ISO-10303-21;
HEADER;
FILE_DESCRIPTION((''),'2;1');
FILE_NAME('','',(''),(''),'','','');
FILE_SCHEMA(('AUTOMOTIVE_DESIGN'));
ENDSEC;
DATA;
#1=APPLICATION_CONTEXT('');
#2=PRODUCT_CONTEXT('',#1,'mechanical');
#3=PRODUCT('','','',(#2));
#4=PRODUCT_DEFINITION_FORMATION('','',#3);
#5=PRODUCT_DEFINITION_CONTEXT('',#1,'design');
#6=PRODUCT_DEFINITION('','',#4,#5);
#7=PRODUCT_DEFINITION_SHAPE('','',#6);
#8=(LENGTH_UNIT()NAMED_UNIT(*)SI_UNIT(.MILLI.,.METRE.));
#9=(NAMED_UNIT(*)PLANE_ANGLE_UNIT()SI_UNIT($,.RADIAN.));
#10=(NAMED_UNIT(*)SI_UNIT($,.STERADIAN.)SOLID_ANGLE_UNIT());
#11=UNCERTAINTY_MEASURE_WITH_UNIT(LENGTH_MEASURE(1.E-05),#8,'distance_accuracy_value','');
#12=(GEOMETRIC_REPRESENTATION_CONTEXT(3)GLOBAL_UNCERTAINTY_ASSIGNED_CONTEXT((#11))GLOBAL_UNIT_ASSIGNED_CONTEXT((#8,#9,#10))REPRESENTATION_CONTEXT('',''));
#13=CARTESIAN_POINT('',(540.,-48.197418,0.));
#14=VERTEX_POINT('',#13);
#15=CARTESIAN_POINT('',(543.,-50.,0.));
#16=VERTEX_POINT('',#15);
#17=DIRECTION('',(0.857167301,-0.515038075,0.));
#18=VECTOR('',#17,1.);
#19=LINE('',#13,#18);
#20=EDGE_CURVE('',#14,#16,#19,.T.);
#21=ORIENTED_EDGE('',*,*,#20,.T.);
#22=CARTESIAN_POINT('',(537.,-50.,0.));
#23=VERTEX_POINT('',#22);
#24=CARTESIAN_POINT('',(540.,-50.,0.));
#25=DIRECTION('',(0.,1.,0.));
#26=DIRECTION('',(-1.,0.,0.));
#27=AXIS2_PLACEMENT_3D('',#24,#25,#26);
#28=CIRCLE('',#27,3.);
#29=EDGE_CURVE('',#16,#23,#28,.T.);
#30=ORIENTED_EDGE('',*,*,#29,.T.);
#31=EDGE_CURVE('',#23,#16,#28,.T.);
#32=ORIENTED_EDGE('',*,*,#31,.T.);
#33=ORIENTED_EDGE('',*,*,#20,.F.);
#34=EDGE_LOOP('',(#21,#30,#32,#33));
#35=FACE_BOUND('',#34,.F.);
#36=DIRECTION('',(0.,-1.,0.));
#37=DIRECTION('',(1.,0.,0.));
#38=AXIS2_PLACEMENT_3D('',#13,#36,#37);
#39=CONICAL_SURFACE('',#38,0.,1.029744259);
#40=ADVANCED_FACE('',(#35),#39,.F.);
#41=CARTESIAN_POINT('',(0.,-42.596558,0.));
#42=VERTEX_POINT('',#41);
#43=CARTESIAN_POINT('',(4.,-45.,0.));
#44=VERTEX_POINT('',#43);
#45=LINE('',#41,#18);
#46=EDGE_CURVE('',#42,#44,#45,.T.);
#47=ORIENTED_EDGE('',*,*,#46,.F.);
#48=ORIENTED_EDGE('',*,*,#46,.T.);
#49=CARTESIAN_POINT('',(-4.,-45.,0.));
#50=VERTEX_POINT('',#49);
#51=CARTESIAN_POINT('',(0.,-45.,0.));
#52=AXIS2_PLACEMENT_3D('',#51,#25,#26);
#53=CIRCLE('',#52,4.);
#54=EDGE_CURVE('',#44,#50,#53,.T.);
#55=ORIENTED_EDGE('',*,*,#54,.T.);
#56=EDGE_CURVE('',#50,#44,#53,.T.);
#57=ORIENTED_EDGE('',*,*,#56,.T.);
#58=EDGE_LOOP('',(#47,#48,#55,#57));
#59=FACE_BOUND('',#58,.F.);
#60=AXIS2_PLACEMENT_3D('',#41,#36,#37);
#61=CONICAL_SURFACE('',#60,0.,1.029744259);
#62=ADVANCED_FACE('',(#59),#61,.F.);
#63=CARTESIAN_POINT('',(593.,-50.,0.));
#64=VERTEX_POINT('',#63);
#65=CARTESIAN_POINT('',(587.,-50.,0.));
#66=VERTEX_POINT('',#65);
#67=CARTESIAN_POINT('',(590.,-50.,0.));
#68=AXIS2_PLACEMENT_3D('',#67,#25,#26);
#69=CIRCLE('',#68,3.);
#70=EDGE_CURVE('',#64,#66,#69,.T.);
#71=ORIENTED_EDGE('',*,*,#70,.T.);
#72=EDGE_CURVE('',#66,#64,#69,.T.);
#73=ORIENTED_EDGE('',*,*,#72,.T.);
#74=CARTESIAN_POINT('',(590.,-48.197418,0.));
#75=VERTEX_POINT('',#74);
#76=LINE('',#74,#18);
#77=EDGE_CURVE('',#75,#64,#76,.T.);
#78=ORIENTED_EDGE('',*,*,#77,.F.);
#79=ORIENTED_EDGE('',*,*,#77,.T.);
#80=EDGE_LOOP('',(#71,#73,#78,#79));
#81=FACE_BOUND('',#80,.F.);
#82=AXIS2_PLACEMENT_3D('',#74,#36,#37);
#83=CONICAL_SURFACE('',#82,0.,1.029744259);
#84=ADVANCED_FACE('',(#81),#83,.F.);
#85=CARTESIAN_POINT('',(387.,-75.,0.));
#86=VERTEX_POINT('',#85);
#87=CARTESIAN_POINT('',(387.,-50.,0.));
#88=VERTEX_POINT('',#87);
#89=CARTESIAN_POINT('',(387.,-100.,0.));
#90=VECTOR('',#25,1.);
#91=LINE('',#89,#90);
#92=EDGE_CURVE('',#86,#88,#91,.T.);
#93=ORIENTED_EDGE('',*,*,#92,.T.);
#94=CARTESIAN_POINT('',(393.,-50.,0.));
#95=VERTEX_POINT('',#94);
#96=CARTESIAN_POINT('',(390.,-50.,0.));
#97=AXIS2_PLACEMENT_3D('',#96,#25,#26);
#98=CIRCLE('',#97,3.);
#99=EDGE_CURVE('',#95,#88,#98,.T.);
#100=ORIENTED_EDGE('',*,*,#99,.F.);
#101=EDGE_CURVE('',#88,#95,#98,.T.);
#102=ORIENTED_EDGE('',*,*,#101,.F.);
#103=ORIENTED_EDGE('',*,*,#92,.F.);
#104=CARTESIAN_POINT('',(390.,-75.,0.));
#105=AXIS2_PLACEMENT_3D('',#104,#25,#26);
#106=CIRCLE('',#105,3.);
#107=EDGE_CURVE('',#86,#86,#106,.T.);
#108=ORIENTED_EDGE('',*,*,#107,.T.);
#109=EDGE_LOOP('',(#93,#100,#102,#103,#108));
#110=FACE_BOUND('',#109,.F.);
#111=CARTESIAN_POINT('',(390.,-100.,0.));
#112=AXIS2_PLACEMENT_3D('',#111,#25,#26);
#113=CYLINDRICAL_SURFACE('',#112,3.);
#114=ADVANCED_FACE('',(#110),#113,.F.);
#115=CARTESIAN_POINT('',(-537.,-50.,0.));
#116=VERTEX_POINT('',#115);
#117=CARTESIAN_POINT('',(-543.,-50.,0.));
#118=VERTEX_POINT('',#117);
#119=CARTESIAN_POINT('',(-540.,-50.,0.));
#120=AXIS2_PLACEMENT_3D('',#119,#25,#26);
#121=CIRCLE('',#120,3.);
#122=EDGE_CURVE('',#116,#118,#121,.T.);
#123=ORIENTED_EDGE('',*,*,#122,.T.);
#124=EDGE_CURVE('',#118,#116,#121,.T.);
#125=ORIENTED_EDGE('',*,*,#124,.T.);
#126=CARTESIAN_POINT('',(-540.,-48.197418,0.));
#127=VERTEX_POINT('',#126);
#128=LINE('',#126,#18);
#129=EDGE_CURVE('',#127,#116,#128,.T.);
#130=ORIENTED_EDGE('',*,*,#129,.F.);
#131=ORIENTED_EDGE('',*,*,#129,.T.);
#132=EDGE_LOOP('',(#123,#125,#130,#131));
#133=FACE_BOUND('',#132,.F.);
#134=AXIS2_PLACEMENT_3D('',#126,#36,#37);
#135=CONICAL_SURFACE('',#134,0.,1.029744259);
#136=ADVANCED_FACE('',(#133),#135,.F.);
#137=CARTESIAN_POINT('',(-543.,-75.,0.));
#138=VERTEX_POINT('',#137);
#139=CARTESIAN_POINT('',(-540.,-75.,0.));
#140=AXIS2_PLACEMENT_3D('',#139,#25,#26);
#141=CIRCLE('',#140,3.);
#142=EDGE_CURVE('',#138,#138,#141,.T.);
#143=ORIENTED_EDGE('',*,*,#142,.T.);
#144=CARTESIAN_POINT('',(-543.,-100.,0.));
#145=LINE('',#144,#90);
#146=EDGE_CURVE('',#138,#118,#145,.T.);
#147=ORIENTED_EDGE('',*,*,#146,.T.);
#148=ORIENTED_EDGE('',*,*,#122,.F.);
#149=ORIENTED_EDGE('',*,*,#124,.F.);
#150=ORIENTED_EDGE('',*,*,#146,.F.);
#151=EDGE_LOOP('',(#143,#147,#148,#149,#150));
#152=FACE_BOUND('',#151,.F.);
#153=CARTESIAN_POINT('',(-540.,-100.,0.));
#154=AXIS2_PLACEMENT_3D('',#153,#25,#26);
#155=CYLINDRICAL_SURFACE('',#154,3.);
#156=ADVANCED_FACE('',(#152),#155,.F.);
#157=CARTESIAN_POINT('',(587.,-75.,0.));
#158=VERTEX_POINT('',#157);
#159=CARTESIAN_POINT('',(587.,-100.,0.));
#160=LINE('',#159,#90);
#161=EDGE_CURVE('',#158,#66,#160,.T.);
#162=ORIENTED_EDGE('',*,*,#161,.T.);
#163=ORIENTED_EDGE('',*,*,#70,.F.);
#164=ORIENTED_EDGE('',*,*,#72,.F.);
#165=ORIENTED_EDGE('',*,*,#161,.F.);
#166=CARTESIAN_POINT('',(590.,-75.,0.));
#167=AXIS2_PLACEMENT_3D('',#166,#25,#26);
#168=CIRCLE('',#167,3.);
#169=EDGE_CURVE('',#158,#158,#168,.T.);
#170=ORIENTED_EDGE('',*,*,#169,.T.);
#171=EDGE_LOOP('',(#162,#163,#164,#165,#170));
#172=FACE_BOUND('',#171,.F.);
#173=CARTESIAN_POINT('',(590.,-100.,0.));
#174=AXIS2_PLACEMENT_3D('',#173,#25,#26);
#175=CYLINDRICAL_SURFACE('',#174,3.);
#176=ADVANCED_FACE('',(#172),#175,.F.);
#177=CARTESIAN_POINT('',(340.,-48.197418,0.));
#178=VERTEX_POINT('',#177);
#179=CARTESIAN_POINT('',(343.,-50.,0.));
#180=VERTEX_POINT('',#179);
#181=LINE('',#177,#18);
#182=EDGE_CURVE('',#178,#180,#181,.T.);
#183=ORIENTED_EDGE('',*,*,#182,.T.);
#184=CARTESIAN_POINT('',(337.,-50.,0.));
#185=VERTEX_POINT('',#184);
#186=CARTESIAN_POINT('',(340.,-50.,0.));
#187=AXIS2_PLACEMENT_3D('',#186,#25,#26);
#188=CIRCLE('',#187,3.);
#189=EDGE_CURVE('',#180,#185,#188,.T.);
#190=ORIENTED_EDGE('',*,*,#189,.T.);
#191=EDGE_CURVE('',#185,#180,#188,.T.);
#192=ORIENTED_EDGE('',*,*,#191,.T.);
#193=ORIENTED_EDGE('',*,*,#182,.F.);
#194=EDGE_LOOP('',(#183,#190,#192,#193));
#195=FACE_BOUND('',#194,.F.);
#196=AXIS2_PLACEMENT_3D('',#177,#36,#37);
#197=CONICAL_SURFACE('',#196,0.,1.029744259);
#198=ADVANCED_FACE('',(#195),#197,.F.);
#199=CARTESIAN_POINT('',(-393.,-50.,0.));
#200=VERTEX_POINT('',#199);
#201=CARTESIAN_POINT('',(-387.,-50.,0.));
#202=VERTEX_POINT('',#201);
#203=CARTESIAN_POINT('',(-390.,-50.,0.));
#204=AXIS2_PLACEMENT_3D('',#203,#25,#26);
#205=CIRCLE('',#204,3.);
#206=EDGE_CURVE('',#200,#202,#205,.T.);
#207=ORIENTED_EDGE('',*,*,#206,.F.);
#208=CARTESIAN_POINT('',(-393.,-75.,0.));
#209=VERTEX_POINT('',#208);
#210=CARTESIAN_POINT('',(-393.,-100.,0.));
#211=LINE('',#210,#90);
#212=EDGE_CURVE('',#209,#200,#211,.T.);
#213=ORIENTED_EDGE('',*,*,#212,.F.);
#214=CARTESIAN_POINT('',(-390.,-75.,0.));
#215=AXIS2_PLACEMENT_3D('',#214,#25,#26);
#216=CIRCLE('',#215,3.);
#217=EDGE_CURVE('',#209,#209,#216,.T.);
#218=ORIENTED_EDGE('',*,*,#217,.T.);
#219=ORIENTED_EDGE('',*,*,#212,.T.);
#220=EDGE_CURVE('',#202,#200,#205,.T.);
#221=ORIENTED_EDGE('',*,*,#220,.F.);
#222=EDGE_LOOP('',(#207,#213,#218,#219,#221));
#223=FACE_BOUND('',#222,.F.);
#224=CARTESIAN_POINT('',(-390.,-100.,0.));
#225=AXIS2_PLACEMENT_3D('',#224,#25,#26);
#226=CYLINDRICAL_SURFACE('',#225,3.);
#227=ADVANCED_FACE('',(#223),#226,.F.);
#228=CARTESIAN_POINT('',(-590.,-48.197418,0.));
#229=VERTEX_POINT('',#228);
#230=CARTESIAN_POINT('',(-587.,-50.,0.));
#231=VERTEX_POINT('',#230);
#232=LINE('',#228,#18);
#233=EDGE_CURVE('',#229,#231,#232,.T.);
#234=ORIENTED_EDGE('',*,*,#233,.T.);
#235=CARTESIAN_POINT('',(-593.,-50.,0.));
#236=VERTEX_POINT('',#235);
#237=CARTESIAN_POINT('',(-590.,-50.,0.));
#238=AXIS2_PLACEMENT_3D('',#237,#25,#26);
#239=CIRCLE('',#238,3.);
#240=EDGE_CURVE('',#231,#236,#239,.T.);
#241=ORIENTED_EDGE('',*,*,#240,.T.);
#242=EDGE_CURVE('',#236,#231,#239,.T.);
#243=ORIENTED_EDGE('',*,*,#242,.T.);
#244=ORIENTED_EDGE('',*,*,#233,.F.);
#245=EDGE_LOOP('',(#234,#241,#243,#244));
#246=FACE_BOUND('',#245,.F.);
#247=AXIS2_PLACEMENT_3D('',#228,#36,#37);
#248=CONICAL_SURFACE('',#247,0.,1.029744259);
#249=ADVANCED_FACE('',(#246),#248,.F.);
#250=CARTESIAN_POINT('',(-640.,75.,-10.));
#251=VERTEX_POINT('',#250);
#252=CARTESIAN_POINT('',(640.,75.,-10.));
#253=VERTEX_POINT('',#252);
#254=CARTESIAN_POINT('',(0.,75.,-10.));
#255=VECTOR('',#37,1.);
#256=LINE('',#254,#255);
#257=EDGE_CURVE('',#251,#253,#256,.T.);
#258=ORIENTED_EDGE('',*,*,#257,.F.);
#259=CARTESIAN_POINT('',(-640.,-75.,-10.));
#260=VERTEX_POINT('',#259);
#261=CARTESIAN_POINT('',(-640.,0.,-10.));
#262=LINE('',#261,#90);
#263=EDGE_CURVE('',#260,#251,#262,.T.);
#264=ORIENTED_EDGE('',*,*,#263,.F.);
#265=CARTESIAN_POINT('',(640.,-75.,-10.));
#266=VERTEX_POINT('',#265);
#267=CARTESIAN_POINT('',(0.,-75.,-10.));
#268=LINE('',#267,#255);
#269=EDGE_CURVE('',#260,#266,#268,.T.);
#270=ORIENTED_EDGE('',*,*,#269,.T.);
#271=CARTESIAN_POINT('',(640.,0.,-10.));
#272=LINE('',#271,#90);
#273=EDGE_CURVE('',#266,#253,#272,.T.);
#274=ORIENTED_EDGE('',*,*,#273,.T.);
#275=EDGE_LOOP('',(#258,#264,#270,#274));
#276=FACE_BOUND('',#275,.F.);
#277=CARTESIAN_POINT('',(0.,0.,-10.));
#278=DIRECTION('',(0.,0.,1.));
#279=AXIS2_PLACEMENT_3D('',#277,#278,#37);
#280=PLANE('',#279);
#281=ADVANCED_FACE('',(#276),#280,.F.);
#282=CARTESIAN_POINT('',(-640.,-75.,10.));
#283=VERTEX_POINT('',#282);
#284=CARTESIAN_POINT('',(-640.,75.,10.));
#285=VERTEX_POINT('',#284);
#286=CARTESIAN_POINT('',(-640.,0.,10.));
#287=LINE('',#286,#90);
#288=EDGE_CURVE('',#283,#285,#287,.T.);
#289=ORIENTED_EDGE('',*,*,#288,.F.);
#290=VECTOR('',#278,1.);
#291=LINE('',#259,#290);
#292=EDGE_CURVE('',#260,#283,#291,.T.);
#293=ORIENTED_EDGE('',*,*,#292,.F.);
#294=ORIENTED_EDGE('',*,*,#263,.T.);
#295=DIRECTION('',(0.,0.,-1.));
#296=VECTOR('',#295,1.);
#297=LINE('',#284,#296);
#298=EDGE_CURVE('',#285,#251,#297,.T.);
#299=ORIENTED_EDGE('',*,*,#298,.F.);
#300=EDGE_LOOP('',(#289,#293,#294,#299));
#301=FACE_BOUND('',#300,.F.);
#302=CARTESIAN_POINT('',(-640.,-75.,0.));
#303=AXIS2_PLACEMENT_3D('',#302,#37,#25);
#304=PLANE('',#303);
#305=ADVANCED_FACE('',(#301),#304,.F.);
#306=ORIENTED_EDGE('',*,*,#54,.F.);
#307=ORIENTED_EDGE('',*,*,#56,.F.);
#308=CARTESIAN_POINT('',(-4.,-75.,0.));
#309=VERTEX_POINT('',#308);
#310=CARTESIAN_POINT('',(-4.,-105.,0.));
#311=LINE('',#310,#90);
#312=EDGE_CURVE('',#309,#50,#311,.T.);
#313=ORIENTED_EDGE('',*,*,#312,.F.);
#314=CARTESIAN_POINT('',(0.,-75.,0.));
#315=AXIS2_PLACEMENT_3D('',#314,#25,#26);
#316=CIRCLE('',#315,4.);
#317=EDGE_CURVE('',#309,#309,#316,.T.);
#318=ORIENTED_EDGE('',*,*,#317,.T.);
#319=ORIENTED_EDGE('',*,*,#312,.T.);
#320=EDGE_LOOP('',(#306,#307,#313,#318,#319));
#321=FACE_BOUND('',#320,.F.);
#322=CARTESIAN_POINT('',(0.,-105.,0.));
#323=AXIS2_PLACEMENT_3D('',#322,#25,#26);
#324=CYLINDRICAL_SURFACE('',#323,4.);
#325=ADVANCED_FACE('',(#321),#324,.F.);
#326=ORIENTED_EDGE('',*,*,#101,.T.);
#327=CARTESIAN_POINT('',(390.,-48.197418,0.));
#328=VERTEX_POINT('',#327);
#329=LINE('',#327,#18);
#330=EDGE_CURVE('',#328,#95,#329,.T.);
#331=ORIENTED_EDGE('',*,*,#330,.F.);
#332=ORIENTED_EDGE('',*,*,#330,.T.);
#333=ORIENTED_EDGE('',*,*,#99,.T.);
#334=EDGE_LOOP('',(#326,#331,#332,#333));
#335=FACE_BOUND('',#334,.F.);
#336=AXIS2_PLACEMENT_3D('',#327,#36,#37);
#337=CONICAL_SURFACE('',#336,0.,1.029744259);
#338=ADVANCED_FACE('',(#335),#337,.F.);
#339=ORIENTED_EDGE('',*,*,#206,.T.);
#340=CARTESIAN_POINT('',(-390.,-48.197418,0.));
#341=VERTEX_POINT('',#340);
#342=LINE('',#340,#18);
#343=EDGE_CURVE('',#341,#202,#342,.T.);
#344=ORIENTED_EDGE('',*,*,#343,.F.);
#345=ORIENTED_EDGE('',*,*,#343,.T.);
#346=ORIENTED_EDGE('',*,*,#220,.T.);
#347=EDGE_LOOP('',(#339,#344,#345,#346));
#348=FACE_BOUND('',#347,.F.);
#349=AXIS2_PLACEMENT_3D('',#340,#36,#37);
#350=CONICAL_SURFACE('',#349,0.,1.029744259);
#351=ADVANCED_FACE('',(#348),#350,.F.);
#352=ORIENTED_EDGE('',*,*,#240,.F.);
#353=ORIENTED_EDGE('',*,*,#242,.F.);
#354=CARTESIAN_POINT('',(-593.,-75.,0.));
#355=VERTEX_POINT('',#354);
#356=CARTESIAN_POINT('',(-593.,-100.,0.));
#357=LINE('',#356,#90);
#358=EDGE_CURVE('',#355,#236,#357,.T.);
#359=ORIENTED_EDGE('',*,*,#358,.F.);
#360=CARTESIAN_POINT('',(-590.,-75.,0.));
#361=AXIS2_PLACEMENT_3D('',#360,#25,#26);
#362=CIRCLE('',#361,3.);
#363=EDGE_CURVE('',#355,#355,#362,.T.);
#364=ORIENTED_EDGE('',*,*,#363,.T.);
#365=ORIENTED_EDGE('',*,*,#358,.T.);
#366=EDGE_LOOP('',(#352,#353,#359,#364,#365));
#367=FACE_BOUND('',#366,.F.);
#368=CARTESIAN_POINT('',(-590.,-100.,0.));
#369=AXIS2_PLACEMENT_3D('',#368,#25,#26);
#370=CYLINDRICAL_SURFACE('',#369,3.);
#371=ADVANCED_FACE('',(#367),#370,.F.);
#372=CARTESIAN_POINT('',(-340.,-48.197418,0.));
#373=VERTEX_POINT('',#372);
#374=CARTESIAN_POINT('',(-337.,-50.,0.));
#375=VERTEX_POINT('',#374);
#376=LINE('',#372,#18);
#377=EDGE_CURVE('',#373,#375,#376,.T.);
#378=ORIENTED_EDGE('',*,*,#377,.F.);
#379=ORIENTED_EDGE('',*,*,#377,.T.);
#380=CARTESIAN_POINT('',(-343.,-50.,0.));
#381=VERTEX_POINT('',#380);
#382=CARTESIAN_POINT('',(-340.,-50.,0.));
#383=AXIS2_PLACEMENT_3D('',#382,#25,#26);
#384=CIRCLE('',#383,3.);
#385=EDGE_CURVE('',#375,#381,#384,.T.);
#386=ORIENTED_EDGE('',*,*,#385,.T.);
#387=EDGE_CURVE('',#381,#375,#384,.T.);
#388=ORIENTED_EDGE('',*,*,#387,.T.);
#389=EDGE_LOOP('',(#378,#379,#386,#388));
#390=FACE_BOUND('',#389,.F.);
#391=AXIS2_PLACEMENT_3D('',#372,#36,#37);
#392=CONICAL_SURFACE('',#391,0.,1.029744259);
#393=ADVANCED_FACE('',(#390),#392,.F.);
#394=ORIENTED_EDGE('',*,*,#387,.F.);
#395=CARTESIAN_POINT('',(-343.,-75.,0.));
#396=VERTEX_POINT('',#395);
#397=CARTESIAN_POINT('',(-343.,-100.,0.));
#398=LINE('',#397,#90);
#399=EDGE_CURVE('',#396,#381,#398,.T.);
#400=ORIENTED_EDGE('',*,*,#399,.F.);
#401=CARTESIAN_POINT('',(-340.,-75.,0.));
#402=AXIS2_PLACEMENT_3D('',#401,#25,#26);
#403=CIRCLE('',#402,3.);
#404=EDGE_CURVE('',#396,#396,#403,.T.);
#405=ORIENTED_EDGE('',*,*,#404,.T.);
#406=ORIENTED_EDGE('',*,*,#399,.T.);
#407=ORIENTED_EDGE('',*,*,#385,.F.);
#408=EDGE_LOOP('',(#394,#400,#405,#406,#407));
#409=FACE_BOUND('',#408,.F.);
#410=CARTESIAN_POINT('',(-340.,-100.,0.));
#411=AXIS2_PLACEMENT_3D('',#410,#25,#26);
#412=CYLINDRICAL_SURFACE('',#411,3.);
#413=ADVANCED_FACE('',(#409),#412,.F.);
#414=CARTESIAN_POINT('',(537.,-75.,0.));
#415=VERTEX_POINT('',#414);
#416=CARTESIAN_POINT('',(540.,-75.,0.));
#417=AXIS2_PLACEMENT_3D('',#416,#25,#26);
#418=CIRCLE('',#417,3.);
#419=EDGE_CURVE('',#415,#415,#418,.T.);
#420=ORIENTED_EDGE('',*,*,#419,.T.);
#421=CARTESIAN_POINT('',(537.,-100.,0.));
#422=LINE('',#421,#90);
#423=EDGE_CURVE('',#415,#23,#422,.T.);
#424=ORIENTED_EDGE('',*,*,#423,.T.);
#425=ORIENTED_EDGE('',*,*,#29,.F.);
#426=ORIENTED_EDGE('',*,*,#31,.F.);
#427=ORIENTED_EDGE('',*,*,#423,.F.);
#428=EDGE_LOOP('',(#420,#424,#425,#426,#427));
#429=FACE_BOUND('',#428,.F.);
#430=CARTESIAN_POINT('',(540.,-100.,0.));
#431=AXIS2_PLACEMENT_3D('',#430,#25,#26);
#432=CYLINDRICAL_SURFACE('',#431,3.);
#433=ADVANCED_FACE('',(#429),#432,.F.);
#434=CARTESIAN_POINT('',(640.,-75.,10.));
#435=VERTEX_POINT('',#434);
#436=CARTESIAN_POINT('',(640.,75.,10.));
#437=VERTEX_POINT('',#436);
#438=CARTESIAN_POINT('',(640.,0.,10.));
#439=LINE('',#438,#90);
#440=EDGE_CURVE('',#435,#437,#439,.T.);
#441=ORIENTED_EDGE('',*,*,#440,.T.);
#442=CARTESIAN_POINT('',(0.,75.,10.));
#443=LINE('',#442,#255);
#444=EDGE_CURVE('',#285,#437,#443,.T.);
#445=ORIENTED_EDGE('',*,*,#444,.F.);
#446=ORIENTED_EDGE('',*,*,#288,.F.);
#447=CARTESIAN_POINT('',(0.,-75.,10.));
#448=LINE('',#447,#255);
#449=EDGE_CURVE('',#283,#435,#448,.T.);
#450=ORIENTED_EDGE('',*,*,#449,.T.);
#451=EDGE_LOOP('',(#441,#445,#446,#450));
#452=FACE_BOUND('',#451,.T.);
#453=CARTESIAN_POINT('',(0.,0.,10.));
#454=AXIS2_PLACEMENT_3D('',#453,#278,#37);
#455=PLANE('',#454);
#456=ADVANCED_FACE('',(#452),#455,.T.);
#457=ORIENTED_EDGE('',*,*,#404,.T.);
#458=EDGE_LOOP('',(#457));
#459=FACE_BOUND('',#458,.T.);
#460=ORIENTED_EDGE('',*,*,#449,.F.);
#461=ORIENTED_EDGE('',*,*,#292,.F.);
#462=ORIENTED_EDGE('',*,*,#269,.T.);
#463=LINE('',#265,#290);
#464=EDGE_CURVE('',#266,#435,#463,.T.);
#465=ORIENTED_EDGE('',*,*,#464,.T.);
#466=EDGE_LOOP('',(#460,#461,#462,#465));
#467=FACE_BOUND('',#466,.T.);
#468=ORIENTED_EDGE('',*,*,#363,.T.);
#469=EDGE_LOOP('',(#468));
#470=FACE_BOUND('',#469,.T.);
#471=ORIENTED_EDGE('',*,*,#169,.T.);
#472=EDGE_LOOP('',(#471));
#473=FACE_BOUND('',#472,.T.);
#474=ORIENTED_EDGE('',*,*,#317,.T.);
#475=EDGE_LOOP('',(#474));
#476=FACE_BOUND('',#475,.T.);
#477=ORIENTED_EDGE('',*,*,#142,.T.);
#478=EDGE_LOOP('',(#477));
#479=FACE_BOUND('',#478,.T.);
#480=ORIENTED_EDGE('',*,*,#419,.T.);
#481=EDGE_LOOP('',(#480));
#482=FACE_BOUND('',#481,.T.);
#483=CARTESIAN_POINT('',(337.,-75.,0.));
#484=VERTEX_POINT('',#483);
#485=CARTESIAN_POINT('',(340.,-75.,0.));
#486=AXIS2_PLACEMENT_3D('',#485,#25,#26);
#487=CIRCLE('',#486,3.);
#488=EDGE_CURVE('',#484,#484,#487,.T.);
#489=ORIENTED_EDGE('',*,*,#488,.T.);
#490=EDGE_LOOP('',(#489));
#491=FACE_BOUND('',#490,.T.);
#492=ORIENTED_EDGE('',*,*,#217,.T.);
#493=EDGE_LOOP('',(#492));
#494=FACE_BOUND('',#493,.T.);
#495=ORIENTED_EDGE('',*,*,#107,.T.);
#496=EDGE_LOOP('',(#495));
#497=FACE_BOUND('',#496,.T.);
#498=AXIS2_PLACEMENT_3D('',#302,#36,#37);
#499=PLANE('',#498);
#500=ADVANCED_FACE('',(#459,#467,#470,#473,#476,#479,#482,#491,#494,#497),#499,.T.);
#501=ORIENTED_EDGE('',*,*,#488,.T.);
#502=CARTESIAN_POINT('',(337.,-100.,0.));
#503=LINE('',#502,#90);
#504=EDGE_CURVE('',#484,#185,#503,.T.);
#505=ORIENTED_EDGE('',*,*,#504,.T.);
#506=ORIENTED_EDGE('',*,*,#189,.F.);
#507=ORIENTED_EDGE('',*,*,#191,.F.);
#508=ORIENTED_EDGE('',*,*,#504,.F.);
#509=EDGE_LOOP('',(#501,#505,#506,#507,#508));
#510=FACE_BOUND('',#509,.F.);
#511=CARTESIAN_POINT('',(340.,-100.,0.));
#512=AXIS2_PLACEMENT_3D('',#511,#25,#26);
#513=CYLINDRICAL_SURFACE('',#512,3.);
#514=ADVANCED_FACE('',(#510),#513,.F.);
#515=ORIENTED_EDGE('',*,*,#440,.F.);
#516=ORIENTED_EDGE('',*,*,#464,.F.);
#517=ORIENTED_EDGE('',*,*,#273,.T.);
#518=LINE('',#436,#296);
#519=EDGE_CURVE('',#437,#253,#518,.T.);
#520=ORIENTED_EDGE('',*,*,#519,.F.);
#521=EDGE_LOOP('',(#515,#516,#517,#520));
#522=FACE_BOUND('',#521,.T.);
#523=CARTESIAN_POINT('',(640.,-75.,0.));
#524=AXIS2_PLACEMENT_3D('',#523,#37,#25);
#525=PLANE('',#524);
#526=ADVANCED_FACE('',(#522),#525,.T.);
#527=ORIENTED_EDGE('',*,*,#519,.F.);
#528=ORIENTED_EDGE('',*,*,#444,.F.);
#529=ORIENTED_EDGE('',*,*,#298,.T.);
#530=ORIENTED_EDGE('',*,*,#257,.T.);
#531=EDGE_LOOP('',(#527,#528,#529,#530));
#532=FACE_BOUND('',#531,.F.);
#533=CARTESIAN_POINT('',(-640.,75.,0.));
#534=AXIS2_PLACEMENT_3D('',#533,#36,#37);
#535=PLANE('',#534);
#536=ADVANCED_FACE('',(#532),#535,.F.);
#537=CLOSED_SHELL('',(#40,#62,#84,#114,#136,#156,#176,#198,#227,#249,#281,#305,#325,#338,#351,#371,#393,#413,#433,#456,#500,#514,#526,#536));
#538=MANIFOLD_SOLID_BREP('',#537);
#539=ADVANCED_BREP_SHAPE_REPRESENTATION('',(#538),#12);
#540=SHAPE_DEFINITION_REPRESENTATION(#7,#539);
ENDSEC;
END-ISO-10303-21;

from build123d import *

# Parameters (mm, degrees)
F0_W     = 1280
F0_H     = 150
F1_DEPTH = 10
F3_D     = 6
F3_DEPTH = 25
F3_TIP   = 1.8025818571
F4_D     = 8
F4_DEPTH = 30
F4_TIP   = 2.4034424761


with BuildPart() as f1:
    # F0 (on Top) → F1 (new body, symmetric)
    with BuildSketch(Plane.XY):
        Rectangle(F0_W, F0_H)
    extrude(amount=F1_DEPTH, both=True)

    # F3
    with Locations(Plane.XZ.offset(75)):
        with Locations((-590, 0), (-540, 0), (-390, 0), (-340, 0), (340, 0), (390, 0), (540, 0), (590, 0)):
            Hole(F3_D / 2, depth=F3_DEPTH)
            with Locations((0, 0, -(F3_DEPTH + F3_TIP / 2))):  # 118° drill point
                Cone(0, F3_D / 2, F3_TIP, mode=Mode.SUBTRACT)

    # F4
    with Locations(Plane.XZ.offset(75)):
        with Locations((0, 0)):
            Hole(F4_D / 2, depth=F4_DEPTH)
            with Locations((0, 0, -(F4_DEPTH + F4_TIP / 2))):  # 118° drill point
                Cone(0, F4_D / 2, F4_TIP, mode=Mode.SUBTRACT)


solid = f1.part
